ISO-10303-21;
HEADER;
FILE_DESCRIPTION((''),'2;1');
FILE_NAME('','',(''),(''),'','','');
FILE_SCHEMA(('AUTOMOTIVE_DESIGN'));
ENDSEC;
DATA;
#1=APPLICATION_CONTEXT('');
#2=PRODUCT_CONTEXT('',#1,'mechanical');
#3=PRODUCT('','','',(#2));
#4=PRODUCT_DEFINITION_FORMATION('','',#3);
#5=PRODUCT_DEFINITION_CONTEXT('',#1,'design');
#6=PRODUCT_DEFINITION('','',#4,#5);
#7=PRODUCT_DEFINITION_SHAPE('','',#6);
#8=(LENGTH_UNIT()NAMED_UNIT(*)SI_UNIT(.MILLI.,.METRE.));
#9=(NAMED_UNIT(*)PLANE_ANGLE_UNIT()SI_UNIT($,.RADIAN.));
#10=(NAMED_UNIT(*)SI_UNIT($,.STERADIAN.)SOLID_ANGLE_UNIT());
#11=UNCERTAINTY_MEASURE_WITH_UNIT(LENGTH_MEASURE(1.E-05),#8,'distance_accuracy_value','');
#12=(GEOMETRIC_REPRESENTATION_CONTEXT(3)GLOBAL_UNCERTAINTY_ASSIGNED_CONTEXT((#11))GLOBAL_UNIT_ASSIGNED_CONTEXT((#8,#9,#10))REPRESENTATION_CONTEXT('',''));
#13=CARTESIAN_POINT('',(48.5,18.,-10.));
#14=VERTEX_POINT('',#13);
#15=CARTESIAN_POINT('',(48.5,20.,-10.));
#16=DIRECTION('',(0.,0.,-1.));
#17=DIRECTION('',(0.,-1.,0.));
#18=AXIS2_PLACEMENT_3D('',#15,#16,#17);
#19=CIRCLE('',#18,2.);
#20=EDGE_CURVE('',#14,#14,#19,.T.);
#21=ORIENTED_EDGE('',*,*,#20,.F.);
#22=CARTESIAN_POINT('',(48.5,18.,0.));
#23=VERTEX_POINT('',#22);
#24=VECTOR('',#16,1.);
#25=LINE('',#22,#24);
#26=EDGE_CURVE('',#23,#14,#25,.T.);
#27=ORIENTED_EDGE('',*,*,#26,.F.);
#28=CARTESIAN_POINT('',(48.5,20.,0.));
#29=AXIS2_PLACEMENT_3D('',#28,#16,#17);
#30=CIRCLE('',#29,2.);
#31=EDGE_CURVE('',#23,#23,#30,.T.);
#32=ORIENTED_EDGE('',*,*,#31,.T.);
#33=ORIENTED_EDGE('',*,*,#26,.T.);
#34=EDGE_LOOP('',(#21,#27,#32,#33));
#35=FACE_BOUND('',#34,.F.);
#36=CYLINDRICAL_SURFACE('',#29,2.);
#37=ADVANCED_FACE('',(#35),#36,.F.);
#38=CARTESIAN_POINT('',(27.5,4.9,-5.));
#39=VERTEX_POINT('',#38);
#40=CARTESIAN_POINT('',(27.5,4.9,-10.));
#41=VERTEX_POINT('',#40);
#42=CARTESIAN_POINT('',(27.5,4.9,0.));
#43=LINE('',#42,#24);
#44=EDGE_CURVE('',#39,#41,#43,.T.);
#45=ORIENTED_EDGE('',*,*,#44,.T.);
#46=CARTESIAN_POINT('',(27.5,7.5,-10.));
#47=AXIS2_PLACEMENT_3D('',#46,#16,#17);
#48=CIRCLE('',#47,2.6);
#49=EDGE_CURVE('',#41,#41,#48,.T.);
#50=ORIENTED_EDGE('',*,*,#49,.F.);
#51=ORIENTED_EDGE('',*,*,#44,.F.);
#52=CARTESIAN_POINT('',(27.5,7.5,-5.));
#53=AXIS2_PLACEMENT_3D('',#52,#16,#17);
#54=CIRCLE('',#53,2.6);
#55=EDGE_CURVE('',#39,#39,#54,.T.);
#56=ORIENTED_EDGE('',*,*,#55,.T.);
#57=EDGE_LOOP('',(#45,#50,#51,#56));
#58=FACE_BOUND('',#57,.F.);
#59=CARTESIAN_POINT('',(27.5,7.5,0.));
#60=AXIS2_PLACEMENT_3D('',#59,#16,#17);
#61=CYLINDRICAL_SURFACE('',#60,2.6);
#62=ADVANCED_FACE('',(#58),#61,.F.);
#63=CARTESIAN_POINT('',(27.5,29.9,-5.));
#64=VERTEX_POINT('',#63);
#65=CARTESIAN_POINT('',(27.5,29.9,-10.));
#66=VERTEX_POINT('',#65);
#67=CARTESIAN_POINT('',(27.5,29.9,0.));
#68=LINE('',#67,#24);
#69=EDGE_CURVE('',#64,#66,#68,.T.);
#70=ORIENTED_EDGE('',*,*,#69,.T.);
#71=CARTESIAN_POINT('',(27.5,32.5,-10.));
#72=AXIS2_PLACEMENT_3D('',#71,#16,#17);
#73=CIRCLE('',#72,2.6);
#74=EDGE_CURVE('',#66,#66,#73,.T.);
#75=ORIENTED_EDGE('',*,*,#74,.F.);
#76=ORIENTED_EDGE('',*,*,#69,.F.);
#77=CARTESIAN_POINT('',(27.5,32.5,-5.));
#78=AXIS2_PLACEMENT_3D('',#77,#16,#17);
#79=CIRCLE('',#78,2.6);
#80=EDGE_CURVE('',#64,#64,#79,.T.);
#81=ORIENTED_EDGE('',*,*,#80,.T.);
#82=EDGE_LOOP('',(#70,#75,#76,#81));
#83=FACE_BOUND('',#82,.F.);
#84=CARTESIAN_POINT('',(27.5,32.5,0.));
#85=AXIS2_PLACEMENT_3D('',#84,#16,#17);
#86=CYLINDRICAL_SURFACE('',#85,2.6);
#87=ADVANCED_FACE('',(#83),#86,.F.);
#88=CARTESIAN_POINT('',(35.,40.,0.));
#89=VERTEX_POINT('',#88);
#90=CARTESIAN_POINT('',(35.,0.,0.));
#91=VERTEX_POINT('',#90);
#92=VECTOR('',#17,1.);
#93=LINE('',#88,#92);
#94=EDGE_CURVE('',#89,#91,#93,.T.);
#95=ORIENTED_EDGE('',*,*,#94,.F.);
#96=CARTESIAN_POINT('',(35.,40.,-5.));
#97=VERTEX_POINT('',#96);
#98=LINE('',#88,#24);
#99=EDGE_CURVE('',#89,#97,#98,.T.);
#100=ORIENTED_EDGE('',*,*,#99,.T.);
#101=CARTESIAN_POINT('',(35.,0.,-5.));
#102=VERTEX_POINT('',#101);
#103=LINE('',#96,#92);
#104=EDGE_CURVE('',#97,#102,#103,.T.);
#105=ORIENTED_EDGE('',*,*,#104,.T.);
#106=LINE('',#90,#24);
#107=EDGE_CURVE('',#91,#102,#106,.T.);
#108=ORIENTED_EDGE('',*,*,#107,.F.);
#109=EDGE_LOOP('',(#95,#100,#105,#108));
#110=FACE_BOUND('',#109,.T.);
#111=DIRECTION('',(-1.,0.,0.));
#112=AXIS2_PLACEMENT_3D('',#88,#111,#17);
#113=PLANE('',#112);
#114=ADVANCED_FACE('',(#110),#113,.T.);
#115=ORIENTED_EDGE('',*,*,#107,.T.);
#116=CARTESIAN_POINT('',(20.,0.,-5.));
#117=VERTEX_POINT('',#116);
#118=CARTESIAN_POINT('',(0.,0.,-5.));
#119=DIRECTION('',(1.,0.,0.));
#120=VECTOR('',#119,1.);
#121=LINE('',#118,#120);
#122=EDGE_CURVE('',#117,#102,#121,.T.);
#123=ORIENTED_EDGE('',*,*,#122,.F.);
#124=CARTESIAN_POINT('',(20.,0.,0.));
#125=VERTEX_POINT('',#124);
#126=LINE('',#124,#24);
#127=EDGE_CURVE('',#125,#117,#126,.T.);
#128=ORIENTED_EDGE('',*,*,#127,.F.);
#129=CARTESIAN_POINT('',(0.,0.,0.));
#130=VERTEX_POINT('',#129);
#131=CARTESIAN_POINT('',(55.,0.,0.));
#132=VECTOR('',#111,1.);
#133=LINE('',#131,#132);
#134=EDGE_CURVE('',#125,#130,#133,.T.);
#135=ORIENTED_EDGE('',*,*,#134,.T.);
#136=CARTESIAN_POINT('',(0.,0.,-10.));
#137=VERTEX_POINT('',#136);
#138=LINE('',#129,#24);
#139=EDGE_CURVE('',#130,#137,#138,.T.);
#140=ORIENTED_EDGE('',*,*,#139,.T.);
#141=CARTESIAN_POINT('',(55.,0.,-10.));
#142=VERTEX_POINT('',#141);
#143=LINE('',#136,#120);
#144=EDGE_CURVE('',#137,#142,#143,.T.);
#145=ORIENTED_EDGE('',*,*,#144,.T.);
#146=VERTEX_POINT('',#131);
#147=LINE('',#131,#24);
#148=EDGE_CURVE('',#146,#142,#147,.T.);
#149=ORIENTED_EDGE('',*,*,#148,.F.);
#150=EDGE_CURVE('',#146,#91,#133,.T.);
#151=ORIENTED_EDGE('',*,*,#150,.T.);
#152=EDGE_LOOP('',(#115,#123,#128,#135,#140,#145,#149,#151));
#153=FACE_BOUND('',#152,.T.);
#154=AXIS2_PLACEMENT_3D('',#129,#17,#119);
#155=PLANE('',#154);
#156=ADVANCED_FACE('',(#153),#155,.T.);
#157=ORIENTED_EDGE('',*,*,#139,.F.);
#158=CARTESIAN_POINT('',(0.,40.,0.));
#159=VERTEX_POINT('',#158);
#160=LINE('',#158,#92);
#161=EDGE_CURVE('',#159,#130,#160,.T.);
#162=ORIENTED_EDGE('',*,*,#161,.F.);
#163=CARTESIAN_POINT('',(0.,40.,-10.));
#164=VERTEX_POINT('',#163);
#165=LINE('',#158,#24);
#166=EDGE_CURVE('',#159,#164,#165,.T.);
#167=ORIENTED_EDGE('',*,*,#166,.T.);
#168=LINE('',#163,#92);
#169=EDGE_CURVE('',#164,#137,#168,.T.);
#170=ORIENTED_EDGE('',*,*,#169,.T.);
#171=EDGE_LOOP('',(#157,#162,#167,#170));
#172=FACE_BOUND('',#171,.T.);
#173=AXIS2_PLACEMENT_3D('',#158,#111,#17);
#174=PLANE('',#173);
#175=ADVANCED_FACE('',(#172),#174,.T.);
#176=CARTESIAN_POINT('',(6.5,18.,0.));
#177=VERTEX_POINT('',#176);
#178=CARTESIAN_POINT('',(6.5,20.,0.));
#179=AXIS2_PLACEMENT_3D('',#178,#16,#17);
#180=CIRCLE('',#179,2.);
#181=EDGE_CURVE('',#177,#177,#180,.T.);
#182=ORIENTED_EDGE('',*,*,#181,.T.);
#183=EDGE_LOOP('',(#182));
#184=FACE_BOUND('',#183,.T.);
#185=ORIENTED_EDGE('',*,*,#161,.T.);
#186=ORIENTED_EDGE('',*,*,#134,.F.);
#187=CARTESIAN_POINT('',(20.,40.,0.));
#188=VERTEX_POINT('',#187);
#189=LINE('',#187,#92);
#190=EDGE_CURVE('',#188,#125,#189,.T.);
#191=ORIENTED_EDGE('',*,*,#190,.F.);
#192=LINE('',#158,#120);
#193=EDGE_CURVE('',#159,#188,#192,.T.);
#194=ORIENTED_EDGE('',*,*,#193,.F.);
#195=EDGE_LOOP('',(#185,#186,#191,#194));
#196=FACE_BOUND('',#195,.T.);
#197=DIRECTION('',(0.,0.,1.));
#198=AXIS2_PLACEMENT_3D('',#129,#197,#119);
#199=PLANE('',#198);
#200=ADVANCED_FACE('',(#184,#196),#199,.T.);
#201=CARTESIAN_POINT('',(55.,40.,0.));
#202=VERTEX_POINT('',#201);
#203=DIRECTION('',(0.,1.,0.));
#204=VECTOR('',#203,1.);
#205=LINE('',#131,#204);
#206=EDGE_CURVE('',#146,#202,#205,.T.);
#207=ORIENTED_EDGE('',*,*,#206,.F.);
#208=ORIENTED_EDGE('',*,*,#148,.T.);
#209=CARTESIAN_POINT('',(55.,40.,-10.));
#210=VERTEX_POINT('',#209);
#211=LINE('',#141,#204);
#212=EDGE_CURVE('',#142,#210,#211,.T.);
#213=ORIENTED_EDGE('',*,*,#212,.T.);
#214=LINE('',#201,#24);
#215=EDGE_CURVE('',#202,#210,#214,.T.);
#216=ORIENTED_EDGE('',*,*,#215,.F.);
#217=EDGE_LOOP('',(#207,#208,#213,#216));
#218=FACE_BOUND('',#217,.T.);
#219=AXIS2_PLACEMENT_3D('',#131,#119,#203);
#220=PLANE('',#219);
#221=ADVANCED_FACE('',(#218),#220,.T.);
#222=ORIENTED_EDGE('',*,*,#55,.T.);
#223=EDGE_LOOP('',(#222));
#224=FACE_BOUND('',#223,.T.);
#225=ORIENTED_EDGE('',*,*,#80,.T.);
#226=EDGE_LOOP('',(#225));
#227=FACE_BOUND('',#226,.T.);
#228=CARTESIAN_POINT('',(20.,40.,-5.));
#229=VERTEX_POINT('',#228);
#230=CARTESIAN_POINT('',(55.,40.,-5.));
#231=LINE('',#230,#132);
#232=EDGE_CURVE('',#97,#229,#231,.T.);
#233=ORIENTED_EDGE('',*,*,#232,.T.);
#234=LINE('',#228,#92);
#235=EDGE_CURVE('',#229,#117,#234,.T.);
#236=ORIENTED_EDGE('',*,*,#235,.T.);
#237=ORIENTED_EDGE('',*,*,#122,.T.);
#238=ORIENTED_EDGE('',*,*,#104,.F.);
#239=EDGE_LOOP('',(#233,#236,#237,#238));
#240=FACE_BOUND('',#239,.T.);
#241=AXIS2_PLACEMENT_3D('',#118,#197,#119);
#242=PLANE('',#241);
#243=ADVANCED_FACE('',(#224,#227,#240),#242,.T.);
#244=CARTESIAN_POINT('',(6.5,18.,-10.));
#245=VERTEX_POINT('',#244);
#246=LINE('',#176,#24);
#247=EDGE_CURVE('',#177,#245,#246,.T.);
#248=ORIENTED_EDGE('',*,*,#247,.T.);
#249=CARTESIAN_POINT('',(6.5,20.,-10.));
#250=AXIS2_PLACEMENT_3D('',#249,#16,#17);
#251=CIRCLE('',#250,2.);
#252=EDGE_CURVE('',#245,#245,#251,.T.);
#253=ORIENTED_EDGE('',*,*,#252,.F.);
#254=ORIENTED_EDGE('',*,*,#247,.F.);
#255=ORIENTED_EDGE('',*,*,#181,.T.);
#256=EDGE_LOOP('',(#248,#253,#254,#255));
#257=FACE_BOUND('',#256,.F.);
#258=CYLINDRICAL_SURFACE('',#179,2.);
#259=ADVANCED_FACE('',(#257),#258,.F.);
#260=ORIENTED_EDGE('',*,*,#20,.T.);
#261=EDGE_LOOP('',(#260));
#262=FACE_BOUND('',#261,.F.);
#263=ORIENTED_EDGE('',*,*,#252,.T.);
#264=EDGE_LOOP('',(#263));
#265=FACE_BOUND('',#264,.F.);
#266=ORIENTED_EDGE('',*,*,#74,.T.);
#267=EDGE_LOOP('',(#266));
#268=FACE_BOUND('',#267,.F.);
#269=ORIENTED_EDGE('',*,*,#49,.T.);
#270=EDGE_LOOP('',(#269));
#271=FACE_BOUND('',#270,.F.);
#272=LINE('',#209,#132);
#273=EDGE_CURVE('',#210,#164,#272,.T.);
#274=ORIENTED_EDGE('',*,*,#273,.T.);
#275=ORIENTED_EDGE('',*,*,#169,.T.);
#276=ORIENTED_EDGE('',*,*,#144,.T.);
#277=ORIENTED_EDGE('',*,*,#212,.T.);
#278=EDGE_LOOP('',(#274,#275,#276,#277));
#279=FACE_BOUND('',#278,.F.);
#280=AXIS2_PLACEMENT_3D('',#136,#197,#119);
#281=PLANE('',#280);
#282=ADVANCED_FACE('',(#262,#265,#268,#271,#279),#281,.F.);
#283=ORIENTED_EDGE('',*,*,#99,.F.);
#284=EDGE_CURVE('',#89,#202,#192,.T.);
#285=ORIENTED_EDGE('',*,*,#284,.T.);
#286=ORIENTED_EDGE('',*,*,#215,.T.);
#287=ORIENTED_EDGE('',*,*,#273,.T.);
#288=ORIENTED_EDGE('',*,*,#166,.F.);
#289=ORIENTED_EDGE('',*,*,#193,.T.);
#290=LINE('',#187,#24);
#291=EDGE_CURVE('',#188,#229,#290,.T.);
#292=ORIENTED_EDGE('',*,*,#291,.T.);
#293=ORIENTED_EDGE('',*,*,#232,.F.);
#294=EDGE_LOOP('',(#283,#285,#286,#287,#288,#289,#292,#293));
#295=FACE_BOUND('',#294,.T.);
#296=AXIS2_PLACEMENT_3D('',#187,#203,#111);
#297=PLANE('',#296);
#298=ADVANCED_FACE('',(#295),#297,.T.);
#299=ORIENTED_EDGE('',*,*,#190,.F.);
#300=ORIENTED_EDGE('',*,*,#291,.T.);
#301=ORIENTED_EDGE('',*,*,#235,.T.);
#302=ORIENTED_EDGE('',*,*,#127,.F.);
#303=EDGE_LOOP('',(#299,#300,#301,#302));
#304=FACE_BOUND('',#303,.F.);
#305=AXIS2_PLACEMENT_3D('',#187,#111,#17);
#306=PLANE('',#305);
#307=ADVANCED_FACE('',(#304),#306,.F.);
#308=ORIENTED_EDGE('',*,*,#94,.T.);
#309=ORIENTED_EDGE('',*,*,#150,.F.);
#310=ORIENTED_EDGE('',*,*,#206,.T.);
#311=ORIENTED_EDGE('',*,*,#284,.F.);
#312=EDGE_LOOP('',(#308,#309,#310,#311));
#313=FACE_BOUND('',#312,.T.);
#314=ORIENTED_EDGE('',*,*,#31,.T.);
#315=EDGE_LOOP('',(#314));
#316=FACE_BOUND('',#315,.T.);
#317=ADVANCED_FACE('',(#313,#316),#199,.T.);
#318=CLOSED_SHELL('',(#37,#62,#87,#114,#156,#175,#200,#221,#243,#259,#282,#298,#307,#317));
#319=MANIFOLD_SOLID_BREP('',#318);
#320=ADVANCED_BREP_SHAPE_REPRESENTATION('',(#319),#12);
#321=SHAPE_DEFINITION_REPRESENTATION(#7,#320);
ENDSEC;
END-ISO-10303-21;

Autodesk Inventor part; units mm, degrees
ref_plane "YZ Plane" through (0, 0, 0) normal (1, 0, 0) x (0, 1, 0)
ref_plane "XZ Plane" through (0, 0, 0) normal (0, 1, 0) x (-1, 0, 0)
ref_plane "XY Plane" through (0, 0, 0) normal (0, 0, 1) x (1, 0, 0)
sketch "Sketch2" plane through (0, 0, 0) normal (0, 0, 1) x (1, 0, 0)
  line L0 (0, 0) -> (55, 0)
  line L1 (55, 0) -> (55, 40)
  line L2 (55, 40) -> (0, 40)
  line L3 (0, 40) -> (0, 0)
  line L4 (35, 40) -> (35, 0)
  line L5 (20, 40) -> (20, 0)
  line L6 (0, 20) -> (55, 20) construction
  line L7 (27.5, 0) -> (27.5, 40) construction
  circle A0 centre (6.5, 20) radius 2
  circle A1 centre (48.5, 20) radius 2
  circle A2 centre (27.5, 7.5) radius 2.6
  circle A3 centre (27.5, 32.5) radius 2.6
  point P0 (27.5, 7.5)
  point P1 (6.5, 20)
  point P2 (27.5, 32.5)
  dimension "d19" = 55
  dimension "d20" = 40
  dimension "d21" = 20
  dimension "d23" = 6.5
  dimension "d24" = 7.5
  dimension "d25" = 4
  dimension "d26" = 5.2
extrude "Extrusion1" add sketch "Sketch2" against normal blind 10 contours L3 L2 L5 L0 | L5 L2 L4 L0 | L4 L2 L1 L0 | A0 | A1 | A2 | A3
extrude "Extrusion2" cut sketch "Sketch2" against normal blind 5 contours L5 L2 L4 L0
hole "Hole1" at (6.5, 20, 0) at (48.5, 20, 0) direction (0, 0, -1) diameter 4 end through all
hole "Hole2" at (27.5, 7.5, 0) at (27.5, 32.5, 0) direction (0, 0, -1) diameter 5.2 end through all
thread "Thread3" size "M4x0.7" class "6H" standard "ISO Metric profile" full length
thread "Thread4" size "M4x0.7" class "6H" standard "ISO Metric profile" full length
properties part number "Leadscrew Bearing Bracket" material "Stainless Steel"
